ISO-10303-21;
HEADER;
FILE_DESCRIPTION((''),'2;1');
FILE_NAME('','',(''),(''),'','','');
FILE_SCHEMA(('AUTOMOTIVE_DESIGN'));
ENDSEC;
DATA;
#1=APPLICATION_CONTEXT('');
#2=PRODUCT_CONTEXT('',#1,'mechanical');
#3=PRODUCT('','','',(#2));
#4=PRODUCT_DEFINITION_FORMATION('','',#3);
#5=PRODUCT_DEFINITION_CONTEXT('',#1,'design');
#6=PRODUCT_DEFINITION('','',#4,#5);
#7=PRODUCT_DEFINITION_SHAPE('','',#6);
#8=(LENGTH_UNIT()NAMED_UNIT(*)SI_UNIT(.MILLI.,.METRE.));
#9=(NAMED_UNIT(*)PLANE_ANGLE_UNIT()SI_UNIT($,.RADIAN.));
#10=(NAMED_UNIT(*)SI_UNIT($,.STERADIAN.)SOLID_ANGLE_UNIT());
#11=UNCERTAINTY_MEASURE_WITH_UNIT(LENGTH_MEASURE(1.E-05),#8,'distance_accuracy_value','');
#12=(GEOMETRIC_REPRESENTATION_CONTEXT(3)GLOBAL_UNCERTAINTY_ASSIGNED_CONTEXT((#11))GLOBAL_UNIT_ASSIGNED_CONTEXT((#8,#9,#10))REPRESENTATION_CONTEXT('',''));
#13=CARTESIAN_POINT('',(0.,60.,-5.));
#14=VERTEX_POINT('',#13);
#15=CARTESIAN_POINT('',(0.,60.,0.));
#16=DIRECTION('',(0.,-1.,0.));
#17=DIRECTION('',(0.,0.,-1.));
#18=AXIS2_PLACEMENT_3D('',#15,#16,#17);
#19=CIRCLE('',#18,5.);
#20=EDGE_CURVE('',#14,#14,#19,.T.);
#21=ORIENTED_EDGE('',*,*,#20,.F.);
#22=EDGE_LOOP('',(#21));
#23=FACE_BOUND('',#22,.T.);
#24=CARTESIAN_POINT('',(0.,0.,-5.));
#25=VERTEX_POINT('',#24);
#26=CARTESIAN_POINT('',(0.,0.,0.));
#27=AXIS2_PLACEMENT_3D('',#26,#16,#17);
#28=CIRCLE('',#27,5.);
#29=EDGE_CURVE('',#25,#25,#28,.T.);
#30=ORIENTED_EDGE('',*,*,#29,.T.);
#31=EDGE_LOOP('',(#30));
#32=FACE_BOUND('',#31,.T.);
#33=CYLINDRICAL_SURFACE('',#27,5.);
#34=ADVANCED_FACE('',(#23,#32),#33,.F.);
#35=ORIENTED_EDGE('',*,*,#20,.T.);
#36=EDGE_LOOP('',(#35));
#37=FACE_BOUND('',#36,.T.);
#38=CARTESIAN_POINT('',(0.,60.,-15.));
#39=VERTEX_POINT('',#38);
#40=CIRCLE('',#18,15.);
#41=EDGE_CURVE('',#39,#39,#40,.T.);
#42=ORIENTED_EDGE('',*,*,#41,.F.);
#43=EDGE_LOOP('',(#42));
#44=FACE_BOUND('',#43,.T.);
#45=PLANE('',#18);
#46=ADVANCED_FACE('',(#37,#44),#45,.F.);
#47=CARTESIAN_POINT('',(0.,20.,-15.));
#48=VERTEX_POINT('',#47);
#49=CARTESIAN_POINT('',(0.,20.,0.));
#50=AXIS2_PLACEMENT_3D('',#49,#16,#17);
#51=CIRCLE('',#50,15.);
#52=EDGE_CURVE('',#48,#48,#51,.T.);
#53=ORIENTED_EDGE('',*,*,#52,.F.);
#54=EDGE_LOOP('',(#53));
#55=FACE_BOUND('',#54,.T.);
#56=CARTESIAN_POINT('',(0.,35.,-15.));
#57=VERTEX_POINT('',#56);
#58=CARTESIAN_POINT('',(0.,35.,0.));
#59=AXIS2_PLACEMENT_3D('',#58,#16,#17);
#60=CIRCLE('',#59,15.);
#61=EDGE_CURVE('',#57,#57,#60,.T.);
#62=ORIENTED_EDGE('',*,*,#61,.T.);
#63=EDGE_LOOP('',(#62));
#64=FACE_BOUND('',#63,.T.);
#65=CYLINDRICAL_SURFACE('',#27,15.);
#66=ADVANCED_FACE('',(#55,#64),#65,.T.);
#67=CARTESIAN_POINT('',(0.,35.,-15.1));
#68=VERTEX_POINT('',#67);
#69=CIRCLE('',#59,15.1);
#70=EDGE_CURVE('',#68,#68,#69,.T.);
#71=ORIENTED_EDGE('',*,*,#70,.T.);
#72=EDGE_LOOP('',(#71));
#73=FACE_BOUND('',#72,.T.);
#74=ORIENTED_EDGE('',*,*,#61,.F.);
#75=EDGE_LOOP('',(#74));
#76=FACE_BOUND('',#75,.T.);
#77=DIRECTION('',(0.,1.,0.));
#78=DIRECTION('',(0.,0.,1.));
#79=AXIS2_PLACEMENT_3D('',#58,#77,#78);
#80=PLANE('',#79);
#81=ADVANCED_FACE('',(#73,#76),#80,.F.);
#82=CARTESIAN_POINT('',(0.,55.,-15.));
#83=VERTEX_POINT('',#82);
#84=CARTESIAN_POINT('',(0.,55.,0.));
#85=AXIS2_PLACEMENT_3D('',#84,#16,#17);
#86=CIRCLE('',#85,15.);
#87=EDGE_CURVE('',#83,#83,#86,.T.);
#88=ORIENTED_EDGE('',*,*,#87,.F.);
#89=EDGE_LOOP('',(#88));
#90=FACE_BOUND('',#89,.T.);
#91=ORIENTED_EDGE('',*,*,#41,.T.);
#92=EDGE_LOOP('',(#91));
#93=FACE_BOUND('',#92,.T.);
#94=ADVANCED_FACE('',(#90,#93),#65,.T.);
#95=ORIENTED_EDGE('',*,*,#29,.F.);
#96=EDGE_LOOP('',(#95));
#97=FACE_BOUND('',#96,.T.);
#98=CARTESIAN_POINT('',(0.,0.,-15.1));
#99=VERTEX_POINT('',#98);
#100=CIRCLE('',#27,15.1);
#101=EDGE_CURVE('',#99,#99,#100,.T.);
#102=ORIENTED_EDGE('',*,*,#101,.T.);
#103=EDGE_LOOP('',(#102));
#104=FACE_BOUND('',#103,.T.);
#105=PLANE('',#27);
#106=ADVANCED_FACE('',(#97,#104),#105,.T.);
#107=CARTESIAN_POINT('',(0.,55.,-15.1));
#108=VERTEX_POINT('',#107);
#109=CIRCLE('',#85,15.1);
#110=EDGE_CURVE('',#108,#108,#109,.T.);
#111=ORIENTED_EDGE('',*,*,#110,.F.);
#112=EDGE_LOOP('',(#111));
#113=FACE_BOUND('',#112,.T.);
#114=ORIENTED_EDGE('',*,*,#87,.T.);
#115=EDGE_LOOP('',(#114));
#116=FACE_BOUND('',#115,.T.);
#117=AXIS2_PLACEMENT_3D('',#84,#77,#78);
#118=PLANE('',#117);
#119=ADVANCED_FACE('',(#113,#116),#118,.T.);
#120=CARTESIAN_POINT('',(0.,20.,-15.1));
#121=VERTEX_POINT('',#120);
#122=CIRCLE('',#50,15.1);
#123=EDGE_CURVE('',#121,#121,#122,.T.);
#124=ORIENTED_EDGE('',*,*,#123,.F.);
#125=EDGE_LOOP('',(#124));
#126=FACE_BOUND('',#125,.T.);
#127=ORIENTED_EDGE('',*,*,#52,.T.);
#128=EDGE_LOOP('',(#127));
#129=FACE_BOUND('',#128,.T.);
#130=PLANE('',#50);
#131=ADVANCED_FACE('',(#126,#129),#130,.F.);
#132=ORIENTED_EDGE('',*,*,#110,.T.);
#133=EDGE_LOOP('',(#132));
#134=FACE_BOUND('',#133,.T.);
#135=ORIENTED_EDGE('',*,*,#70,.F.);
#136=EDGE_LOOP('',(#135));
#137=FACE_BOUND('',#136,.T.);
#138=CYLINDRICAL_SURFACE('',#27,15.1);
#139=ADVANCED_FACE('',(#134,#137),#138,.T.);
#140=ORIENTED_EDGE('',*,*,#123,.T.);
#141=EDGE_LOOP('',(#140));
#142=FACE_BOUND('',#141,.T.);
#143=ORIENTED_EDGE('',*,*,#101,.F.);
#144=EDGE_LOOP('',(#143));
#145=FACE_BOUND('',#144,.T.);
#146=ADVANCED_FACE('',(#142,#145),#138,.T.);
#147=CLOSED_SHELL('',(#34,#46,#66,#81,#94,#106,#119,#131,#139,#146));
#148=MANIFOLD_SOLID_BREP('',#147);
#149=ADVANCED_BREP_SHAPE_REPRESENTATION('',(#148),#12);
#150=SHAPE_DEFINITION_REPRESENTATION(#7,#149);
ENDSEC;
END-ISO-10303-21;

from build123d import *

# Parameters (mm, degrees)
SKETCH1_W   = 10
SKETCH1_H   = 60
SKETCH1_W_2 = 0.1
SKETCH1_H_2 = 20


with BuildPart() as part:
    # Sketch1 → Revolve1 (revolve)
    with BuildSketch(Plane.XY, mode=Mode.PRIVATE) as revolve1_sk:
        with Locations((10, 30)):
            Rectangle(SKETCH1_W, SKETCH1_H)
        with Locations((15.05, 45)):
            Rectangle(SKETCH1_W_2, SKETCH1_H_2)
        with Locations((15.05, 10)):
            Rectangle(SKETCH1_W_2, SKETCH1_H_2)
    revolve(revolve1_sk.sketch.rotate(Axis((0, 0, 0), (0, 1, 0)), 90), axis=Axis((0, 0, 0), (0, 1, 0)))


solid = part.part
